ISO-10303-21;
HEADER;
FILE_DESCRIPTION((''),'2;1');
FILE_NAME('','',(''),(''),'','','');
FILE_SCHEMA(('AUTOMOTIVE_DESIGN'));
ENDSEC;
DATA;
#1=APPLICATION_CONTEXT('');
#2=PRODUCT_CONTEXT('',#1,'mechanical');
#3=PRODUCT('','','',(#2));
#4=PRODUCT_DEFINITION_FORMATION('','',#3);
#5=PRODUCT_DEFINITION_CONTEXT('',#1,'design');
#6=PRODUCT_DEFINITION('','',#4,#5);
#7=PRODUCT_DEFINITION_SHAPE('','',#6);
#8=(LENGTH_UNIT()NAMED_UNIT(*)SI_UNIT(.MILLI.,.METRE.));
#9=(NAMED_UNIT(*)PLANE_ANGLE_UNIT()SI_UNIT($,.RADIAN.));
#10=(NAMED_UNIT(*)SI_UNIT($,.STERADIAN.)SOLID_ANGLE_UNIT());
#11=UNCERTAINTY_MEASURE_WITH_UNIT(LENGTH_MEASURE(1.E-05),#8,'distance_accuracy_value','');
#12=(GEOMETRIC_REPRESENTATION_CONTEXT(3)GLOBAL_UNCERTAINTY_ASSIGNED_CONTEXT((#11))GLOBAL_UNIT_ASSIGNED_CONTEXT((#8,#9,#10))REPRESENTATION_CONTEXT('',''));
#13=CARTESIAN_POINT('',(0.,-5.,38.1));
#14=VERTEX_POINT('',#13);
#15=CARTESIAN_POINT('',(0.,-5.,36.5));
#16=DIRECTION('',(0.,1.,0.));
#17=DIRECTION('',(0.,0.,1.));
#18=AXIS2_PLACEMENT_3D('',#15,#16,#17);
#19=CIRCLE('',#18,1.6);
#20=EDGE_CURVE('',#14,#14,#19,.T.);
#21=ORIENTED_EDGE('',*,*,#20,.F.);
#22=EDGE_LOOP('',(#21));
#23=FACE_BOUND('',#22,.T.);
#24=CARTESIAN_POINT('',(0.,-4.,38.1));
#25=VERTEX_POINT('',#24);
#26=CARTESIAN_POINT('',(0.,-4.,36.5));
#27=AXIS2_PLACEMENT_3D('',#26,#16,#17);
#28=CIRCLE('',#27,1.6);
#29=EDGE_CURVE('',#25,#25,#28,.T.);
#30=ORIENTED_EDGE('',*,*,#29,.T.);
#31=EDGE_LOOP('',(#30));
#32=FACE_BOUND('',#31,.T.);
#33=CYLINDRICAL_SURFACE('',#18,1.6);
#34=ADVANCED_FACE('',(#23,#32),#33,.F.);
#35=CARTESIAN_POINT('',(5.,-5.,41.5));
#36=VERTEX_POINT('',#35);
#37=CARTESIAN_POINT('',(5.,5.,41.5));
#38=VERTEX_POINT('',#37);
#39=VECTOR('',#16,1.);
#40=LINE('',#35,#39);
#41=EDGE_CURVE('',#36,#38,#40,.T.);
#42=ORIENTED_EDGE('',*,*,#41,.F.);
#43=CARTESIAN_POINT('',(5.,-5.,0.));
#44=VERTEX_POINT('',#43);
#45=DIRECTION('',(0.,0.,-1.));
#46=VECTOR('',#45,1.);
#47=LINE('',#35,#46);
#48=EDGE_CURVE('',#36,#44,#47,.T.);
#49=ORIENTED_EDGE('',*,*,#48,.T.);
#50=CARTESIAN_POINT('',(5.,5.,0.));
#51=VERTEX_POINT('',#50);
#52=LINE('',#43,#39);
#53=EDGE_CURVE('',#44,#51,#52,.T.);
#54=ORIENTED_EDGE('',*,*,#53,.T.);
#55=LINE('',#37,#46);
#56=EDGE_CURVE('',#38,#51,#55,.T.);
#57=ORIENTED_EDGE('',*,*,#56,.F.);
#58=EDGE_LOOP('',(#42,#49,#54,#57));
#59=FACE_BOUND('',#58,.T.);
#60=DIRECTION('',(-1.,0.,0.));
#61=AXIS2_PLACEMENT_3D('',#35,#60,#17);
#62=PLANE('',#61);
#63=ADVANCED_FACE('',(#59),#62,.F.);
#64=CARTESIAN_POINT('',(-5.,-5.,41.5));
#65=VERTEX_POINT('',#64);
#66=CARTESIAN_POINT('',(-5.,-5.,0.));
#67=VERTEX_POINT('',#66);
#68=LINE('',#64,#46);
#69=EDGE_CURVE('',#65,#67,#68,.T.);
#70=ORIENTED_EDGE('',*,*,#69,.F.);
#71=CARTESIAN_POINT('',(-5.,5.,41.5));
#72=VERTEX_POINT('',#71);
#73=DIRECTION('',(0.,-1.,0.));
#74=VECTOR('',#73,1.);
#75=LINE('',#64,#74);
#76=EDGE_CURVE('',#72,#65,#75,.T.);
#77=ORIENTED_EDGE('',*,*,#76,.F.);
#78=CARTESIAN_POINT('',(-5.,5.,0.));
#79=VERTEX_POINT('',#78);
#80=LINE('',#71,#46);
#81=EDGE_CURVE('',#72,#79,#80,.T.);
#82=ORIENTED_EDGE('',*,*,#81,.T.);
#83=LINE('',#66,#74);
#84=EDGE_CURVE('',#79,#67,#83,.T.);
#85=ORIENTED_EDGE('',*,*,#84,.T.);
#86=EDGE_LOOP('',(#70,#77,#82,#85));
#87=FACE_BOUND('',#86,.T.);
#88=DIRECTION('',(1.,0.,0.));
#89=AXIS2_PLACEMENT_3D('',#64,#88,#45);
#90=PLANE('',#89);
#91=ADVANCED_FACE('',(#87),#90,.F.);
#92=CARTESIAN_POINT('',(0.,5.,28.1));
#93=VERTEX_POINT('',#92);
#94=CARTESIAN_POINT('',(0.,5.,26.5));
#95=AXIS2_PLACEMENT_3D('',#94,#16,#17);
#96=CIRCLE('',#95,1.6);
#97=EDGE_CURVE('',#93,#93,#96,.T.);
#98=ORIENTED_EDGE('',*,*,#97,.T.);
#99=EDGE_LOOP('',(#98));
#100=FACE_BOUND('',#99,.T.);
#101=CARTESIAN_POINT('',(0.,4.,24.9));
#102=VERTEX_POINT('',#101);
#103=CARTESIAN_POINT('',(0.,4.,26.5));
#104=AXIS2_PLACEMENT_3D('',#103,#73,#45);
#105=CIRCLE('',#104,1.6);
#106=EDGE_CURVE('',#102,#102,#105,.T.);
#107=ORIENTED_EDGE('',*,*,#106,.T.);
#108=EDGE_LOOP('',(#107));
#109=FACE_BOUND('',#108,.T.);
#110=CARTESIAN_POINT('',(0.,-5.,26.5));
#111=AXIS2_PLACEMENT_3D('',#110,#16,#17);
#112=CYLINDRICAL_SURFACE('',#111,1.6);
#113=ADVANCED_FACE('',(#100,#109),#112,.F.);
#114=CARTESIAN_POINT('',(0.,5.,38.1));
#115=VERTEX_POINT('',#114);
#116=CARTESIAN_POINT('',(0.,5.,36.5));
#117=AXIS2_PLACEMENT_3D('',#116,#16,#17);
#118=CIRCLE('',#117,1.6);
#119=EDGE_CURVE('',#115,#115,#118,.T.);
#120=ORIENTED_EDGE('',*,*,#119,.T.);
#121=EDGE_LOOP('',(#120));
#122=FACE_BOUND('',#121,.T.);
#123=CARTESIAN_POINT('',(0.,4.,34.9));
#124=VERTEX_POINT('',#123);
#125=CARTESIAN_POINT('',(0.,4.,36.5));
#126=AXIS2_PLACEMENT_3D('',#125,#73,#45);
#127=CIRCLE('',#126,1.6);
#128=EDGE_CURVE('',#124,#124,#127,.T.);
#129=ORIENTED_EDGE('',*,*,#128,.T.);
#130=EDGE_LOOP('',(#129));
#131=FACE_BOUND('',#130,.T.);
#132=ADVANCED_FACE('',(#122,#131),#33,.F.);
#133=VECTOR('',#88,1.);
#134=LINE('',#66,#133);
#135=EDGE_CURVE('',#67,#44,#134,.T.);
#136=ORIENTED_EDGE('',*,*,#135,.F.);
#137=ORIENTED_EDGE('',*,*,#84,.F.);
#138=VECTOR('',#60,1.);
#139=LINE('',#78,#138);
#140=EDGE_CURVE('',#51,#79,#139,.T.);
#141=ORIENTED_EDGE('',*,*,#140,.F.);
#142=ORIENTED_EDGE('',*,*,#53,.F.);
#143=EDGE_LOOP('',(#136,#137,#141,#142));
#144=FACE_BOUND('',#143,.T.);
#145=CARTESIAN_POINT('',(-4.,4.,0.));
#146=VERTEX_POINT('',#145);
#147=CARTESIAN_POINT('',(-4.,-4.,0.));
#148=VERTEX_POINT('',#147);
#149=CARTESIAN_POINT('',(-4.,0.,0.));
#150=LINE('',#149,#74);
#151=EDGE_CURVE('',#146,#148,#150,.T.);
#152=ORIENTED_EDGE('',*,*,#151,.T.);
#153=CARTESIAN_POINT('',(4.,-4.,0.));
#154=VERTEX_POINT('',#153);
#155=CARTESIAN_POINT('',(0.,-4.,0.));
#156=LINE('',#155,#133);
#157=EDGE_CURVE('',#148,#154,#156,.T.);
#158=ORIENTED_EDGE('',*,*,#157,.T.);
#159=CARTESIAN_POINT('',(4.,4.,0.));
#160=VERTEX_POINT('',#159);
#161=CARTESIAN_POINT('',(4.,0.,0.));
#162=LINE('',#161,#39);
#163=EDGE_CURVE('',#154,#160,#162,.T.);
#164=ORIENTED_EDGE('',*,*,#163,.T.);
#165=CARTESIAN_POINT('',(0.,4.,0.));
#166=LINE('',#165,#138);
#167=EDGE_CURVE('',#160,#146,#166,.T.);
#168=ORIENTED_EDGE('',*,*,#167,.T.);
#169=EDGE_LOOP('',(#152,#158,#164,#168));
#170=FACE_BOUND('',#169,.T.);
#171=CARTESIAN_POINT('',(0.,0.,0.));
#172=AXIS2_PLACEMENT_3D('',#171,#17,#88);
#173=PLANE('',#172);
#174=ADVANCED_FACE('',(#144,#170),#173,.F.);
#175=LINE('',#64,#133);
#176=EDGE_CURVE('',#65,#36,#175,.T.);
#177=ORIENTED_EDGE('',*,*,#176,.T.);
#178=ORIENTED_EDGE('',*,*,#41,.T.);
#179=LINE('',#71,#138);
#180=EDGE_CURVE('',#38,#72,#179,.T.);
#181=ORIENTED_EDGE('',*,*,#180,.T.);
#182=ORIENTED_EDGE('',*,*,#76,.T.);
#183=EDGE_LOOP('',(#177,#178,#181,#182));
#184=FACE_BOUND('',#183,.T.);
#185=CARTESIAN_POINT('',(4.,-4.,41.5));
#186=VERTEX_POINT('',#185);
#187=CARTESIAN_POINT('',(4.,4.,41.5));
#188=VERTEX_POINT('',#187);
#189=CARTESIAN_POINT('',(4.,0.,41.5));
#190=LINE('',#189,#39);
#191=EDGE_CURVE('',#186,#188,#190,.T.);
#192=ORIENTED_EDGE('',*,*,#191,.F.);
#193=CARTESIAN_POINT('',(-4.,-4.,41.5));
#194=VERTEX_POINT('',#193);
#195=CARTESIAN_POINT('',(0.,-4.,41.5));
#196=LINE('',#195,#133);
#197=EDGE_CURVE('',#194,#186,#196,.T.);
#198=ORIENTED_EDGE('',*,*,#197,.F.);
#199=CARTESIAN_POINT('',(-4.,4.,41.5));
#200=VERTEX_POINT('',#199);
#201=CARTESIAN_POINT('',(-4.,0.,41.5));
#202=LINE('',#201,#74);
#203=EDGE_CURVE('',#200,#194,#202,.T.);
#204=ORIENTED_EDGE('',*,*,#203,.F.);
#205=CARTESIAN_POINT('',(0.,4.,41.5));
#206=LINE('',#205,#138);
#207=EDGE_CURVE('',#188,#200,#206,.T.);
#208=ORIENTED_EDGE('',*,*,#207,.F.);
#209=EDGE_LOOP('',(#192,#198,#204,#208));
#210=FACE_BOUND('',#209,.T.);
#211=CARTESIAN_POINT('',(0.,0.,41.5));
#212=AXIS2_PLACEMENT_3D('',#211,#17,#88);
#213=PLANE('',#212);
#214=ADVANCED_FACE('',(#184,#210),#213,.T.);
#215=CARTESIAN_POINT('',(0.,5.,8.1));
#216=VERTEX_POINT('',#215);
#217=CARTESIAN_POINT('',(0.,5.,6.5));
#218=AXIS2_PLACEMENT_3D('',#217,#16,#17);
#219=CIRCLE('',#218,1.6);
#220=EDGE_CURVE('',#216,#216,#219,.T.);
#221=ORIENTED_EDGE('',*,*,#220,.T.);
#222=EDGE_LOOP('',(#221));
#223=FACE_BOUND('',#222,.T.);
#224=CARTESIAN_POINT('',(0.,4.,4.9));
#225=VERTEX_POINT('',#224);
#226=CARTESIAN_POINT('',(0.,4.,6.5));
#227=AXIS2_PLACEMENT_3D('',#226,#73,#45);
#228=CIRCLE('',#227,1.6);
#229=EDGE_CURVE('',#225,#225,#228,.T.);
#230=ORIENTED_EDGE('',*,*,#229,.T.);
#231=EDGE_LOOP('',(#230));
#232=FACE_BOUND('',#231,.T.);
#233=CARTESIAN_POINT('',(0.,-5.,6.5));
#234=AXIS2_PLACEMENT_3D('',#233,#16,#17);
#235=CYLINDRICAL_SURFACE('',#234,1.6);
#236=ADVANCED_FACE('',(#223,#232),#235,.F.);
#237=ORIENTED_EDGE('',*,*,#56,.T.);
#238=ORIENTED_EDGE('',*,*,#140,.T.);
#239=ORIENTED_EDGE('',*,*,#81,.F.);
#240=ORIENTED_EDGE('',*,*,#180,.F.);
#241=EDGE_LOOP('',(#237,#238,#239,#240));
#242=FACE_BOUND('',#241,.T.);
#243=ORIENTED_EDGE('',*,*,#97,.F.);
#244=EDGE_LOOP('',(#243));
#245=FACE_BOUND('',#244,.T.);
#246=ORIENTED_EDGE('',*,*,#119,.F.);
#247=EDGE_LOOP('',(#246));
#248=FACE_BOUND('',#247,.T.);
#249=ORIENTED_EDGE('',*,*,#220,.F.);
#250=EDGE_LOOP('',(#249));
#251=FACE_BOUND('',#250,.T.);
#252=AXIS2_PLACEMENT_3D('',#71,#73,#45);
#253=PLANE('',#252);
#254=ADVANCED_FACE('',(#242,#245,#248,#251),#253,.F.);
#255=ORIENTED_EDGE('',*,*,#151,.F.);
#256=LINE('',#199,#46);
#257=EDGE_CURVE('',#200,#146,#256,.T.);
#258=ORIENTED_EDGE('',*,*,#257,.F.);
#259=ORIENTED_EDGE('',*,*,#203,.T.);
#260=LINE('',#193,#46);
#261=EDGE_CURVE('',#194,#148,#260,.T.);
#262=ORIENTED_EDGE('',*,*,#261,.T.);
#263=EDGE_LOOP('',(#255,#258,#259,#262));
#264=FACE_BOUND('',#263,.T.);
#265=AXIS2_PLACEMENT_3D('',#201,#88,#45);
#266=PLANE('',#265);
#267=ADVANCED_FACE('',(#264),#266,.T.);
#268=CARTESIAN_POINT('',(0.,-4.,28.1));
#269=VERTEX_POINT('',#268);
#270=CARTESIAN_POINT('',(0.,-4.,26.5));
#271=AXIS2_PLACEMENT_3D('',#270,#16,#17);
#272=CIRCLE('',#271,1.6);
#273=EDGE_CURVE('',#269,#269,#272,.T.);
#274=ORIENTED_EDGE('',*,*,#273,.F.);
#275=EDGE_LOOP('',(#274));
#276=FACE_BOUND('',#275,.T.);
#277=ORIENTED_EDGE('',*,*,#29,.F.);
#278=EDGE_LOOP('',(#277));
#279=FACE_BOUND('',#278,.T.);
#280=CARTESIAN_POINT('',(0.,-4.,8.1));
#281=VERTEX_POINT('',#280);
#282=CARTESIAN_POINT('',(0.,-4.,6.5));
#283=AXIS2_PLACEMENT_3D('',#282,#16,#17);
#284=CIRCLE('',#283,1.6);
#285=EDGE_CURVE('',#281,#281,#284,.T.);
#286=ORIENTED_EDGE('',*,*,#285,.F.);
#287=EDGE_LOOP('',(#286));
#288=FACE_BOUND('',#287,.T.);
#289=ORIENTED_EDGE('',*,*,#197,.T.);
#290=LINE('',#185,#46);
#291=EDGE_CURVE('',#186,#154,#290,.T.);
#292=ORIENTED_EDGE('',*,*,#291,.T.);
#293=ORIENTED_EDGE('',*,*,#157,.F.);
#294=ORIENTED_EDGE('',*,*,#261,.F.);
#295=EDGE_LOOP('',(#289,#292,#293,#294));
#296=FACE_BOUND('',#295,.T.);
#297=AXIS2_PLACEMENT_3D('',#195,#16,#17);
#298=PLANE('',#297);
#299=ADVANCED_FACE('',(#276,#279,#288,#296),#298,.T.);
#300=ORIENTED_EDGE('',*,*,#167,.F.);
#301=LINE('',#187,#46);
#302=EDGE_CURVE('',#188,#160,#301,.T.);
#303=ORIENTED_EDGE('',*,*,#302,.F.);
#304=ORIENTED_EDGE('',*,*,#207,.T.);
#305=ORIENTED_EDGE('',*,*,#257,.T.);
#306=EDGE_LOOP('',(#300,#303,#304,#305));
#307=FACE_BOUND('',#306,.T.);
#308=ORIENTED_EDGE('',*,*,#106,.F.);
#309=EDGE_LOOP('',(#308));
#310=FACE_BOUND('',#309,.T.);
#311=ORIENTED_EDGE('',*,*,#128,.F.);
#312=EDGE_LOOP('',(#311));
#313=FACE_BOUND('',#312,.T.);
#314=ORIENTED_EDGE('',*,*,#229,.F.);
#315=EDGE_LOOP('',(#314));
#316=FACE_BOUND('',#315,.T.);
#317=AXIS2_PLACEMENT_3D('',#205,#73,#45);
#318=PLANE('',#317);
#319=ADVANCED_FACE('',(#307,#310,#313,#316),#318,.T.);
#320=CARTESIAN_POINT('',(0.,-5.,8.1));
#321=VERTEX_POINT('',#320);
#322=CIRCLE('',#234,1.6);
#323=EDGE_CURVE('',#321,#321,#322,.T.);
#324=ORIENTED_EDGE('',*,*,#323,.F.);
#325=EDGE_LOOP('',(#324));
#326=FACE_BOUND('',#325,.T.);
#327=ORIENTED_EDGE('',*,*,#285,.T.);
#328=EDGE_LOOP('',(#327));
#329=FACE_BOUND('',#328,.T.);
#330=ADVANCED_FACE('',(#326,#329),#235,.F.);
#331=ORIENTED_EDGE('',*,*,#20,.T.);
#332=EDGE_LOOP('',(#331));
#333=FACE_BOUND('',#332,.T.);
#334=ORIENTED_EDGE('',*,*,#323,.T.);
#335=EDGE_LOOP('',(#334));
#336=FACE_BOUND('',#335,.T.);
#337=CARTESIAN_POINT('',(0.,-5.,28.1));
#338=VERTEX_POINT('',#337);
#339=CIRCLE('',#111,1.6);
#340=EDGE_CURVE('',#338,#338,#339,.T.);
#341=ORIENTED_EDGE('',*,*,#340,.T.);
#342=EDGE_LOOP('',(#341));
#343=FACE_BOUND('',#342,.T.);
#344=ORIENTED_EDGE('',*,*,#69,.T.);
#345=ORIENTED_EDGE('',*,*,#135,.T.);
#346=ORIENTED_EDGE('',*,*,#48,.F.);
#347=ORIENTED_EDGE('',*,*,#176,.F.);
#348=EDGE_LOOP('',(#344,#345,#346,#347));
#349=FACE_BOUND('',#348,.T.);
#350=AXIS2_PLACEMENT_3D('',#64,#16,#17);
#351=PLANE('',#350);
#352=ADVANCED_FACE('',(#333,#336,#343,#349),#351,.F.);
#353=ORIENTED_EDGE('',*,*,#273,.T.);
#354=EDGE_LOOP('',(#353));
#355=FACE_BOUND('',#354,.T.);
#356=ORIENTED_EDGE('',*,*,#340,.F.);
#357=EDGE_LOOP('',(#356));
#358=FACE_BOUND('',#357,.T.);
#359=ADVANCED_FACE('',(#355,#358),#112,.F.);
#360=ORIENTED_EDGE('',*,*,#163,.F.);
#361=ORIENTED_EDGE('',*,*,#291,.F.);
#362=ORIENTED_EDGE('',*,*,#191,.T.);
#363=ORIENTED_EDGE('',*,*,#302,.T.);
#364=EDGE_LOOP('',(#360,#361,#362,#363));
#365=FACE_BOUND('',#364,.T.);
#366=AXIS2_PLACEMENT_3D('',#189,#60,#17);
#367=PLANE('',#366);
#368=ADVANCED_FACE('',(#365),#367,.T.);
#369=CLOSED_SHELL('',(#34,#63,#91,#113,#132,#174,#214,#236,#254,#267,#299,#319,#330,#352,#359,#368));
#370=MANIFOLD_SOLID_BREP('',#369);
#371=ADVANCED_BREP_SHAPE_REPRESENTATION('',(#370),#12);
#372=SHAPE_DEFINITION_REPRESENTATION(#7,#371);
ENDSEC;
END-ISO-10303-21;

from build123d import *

# Parameters (mm, degrees)
SKETCH_1_W          = 10
SKETCH_1_H          = 10
SKETCH_1_W_2        = 8
SKETCH_1_H_2        = 8
EXTRUDE_1_DEPTH     = 41.5
SKETCH_2_R          = 1.6
CUT_EXTRUDE_1_DEPTH = 10


with BuildPart() as part:
    # ｽｹｯﾁ1 → 押し出し-薄板1 (new body)
    with BuildSketch(Plane.XY):
        Rectangle(SKETCH_1_W, SKETCH_1_H)
        Rectangle(SKETCH_1_W_2, SKETCH_1_H_2, mode=Mode.SUBTRACT)
    extrude(amount=EXTRUDE_1_DEPTH)

    # ｽｹｯﾁ2 → ｶｯﾄ - 押し出し1 (cut)
    with BuildSketch(Plane(origin=(0, 5, 0), x_dir=(1, 0, 0), z_dir=(0, 1, 0))):
        with BuildLine():
            ThreePointArc((1.6, -6.5), (1.13137085, -5.36862915), (0, -4.9))
            Line((0, -4.9), (0, -8.1))
            ThreePointArc((0, -8.1), (1.13137085, -7.63137085), (1.6, -6.5))
        make_face()
        with BuildLine():
            Line((0, -8.1), (0, -4.9))
            ThreePointArc((0, -4.9), (-1.6, -6.5), (0, -8.1))
        make_face()
        with BuildLine():
            ThreePointArc((1.6, -26.5), (1.13137085, -25.36862915), (0, -24.9))
            Line((0, -24.9), (0, -28.1))
            ThreePointArc((0, -28.1), (1.13137085, -27.63137085), (1.6, -26.5))
        make_face()
        with BuildLine():
            Line((0, -28.1), (0, -24.9))
            ThreePointArc((0, -24.9), (-1.6, -26.5), (0, -28.1))
        make_face()
        with Locations(Location((0, -36.5, 0), (0, 0, 270))):
            Circle(SKETCH_2_R)
    extrude(amount=-CUT_EXTRUDE_1_DEPTH, mode=Mode.SUBTRACT)


solid = part.part
